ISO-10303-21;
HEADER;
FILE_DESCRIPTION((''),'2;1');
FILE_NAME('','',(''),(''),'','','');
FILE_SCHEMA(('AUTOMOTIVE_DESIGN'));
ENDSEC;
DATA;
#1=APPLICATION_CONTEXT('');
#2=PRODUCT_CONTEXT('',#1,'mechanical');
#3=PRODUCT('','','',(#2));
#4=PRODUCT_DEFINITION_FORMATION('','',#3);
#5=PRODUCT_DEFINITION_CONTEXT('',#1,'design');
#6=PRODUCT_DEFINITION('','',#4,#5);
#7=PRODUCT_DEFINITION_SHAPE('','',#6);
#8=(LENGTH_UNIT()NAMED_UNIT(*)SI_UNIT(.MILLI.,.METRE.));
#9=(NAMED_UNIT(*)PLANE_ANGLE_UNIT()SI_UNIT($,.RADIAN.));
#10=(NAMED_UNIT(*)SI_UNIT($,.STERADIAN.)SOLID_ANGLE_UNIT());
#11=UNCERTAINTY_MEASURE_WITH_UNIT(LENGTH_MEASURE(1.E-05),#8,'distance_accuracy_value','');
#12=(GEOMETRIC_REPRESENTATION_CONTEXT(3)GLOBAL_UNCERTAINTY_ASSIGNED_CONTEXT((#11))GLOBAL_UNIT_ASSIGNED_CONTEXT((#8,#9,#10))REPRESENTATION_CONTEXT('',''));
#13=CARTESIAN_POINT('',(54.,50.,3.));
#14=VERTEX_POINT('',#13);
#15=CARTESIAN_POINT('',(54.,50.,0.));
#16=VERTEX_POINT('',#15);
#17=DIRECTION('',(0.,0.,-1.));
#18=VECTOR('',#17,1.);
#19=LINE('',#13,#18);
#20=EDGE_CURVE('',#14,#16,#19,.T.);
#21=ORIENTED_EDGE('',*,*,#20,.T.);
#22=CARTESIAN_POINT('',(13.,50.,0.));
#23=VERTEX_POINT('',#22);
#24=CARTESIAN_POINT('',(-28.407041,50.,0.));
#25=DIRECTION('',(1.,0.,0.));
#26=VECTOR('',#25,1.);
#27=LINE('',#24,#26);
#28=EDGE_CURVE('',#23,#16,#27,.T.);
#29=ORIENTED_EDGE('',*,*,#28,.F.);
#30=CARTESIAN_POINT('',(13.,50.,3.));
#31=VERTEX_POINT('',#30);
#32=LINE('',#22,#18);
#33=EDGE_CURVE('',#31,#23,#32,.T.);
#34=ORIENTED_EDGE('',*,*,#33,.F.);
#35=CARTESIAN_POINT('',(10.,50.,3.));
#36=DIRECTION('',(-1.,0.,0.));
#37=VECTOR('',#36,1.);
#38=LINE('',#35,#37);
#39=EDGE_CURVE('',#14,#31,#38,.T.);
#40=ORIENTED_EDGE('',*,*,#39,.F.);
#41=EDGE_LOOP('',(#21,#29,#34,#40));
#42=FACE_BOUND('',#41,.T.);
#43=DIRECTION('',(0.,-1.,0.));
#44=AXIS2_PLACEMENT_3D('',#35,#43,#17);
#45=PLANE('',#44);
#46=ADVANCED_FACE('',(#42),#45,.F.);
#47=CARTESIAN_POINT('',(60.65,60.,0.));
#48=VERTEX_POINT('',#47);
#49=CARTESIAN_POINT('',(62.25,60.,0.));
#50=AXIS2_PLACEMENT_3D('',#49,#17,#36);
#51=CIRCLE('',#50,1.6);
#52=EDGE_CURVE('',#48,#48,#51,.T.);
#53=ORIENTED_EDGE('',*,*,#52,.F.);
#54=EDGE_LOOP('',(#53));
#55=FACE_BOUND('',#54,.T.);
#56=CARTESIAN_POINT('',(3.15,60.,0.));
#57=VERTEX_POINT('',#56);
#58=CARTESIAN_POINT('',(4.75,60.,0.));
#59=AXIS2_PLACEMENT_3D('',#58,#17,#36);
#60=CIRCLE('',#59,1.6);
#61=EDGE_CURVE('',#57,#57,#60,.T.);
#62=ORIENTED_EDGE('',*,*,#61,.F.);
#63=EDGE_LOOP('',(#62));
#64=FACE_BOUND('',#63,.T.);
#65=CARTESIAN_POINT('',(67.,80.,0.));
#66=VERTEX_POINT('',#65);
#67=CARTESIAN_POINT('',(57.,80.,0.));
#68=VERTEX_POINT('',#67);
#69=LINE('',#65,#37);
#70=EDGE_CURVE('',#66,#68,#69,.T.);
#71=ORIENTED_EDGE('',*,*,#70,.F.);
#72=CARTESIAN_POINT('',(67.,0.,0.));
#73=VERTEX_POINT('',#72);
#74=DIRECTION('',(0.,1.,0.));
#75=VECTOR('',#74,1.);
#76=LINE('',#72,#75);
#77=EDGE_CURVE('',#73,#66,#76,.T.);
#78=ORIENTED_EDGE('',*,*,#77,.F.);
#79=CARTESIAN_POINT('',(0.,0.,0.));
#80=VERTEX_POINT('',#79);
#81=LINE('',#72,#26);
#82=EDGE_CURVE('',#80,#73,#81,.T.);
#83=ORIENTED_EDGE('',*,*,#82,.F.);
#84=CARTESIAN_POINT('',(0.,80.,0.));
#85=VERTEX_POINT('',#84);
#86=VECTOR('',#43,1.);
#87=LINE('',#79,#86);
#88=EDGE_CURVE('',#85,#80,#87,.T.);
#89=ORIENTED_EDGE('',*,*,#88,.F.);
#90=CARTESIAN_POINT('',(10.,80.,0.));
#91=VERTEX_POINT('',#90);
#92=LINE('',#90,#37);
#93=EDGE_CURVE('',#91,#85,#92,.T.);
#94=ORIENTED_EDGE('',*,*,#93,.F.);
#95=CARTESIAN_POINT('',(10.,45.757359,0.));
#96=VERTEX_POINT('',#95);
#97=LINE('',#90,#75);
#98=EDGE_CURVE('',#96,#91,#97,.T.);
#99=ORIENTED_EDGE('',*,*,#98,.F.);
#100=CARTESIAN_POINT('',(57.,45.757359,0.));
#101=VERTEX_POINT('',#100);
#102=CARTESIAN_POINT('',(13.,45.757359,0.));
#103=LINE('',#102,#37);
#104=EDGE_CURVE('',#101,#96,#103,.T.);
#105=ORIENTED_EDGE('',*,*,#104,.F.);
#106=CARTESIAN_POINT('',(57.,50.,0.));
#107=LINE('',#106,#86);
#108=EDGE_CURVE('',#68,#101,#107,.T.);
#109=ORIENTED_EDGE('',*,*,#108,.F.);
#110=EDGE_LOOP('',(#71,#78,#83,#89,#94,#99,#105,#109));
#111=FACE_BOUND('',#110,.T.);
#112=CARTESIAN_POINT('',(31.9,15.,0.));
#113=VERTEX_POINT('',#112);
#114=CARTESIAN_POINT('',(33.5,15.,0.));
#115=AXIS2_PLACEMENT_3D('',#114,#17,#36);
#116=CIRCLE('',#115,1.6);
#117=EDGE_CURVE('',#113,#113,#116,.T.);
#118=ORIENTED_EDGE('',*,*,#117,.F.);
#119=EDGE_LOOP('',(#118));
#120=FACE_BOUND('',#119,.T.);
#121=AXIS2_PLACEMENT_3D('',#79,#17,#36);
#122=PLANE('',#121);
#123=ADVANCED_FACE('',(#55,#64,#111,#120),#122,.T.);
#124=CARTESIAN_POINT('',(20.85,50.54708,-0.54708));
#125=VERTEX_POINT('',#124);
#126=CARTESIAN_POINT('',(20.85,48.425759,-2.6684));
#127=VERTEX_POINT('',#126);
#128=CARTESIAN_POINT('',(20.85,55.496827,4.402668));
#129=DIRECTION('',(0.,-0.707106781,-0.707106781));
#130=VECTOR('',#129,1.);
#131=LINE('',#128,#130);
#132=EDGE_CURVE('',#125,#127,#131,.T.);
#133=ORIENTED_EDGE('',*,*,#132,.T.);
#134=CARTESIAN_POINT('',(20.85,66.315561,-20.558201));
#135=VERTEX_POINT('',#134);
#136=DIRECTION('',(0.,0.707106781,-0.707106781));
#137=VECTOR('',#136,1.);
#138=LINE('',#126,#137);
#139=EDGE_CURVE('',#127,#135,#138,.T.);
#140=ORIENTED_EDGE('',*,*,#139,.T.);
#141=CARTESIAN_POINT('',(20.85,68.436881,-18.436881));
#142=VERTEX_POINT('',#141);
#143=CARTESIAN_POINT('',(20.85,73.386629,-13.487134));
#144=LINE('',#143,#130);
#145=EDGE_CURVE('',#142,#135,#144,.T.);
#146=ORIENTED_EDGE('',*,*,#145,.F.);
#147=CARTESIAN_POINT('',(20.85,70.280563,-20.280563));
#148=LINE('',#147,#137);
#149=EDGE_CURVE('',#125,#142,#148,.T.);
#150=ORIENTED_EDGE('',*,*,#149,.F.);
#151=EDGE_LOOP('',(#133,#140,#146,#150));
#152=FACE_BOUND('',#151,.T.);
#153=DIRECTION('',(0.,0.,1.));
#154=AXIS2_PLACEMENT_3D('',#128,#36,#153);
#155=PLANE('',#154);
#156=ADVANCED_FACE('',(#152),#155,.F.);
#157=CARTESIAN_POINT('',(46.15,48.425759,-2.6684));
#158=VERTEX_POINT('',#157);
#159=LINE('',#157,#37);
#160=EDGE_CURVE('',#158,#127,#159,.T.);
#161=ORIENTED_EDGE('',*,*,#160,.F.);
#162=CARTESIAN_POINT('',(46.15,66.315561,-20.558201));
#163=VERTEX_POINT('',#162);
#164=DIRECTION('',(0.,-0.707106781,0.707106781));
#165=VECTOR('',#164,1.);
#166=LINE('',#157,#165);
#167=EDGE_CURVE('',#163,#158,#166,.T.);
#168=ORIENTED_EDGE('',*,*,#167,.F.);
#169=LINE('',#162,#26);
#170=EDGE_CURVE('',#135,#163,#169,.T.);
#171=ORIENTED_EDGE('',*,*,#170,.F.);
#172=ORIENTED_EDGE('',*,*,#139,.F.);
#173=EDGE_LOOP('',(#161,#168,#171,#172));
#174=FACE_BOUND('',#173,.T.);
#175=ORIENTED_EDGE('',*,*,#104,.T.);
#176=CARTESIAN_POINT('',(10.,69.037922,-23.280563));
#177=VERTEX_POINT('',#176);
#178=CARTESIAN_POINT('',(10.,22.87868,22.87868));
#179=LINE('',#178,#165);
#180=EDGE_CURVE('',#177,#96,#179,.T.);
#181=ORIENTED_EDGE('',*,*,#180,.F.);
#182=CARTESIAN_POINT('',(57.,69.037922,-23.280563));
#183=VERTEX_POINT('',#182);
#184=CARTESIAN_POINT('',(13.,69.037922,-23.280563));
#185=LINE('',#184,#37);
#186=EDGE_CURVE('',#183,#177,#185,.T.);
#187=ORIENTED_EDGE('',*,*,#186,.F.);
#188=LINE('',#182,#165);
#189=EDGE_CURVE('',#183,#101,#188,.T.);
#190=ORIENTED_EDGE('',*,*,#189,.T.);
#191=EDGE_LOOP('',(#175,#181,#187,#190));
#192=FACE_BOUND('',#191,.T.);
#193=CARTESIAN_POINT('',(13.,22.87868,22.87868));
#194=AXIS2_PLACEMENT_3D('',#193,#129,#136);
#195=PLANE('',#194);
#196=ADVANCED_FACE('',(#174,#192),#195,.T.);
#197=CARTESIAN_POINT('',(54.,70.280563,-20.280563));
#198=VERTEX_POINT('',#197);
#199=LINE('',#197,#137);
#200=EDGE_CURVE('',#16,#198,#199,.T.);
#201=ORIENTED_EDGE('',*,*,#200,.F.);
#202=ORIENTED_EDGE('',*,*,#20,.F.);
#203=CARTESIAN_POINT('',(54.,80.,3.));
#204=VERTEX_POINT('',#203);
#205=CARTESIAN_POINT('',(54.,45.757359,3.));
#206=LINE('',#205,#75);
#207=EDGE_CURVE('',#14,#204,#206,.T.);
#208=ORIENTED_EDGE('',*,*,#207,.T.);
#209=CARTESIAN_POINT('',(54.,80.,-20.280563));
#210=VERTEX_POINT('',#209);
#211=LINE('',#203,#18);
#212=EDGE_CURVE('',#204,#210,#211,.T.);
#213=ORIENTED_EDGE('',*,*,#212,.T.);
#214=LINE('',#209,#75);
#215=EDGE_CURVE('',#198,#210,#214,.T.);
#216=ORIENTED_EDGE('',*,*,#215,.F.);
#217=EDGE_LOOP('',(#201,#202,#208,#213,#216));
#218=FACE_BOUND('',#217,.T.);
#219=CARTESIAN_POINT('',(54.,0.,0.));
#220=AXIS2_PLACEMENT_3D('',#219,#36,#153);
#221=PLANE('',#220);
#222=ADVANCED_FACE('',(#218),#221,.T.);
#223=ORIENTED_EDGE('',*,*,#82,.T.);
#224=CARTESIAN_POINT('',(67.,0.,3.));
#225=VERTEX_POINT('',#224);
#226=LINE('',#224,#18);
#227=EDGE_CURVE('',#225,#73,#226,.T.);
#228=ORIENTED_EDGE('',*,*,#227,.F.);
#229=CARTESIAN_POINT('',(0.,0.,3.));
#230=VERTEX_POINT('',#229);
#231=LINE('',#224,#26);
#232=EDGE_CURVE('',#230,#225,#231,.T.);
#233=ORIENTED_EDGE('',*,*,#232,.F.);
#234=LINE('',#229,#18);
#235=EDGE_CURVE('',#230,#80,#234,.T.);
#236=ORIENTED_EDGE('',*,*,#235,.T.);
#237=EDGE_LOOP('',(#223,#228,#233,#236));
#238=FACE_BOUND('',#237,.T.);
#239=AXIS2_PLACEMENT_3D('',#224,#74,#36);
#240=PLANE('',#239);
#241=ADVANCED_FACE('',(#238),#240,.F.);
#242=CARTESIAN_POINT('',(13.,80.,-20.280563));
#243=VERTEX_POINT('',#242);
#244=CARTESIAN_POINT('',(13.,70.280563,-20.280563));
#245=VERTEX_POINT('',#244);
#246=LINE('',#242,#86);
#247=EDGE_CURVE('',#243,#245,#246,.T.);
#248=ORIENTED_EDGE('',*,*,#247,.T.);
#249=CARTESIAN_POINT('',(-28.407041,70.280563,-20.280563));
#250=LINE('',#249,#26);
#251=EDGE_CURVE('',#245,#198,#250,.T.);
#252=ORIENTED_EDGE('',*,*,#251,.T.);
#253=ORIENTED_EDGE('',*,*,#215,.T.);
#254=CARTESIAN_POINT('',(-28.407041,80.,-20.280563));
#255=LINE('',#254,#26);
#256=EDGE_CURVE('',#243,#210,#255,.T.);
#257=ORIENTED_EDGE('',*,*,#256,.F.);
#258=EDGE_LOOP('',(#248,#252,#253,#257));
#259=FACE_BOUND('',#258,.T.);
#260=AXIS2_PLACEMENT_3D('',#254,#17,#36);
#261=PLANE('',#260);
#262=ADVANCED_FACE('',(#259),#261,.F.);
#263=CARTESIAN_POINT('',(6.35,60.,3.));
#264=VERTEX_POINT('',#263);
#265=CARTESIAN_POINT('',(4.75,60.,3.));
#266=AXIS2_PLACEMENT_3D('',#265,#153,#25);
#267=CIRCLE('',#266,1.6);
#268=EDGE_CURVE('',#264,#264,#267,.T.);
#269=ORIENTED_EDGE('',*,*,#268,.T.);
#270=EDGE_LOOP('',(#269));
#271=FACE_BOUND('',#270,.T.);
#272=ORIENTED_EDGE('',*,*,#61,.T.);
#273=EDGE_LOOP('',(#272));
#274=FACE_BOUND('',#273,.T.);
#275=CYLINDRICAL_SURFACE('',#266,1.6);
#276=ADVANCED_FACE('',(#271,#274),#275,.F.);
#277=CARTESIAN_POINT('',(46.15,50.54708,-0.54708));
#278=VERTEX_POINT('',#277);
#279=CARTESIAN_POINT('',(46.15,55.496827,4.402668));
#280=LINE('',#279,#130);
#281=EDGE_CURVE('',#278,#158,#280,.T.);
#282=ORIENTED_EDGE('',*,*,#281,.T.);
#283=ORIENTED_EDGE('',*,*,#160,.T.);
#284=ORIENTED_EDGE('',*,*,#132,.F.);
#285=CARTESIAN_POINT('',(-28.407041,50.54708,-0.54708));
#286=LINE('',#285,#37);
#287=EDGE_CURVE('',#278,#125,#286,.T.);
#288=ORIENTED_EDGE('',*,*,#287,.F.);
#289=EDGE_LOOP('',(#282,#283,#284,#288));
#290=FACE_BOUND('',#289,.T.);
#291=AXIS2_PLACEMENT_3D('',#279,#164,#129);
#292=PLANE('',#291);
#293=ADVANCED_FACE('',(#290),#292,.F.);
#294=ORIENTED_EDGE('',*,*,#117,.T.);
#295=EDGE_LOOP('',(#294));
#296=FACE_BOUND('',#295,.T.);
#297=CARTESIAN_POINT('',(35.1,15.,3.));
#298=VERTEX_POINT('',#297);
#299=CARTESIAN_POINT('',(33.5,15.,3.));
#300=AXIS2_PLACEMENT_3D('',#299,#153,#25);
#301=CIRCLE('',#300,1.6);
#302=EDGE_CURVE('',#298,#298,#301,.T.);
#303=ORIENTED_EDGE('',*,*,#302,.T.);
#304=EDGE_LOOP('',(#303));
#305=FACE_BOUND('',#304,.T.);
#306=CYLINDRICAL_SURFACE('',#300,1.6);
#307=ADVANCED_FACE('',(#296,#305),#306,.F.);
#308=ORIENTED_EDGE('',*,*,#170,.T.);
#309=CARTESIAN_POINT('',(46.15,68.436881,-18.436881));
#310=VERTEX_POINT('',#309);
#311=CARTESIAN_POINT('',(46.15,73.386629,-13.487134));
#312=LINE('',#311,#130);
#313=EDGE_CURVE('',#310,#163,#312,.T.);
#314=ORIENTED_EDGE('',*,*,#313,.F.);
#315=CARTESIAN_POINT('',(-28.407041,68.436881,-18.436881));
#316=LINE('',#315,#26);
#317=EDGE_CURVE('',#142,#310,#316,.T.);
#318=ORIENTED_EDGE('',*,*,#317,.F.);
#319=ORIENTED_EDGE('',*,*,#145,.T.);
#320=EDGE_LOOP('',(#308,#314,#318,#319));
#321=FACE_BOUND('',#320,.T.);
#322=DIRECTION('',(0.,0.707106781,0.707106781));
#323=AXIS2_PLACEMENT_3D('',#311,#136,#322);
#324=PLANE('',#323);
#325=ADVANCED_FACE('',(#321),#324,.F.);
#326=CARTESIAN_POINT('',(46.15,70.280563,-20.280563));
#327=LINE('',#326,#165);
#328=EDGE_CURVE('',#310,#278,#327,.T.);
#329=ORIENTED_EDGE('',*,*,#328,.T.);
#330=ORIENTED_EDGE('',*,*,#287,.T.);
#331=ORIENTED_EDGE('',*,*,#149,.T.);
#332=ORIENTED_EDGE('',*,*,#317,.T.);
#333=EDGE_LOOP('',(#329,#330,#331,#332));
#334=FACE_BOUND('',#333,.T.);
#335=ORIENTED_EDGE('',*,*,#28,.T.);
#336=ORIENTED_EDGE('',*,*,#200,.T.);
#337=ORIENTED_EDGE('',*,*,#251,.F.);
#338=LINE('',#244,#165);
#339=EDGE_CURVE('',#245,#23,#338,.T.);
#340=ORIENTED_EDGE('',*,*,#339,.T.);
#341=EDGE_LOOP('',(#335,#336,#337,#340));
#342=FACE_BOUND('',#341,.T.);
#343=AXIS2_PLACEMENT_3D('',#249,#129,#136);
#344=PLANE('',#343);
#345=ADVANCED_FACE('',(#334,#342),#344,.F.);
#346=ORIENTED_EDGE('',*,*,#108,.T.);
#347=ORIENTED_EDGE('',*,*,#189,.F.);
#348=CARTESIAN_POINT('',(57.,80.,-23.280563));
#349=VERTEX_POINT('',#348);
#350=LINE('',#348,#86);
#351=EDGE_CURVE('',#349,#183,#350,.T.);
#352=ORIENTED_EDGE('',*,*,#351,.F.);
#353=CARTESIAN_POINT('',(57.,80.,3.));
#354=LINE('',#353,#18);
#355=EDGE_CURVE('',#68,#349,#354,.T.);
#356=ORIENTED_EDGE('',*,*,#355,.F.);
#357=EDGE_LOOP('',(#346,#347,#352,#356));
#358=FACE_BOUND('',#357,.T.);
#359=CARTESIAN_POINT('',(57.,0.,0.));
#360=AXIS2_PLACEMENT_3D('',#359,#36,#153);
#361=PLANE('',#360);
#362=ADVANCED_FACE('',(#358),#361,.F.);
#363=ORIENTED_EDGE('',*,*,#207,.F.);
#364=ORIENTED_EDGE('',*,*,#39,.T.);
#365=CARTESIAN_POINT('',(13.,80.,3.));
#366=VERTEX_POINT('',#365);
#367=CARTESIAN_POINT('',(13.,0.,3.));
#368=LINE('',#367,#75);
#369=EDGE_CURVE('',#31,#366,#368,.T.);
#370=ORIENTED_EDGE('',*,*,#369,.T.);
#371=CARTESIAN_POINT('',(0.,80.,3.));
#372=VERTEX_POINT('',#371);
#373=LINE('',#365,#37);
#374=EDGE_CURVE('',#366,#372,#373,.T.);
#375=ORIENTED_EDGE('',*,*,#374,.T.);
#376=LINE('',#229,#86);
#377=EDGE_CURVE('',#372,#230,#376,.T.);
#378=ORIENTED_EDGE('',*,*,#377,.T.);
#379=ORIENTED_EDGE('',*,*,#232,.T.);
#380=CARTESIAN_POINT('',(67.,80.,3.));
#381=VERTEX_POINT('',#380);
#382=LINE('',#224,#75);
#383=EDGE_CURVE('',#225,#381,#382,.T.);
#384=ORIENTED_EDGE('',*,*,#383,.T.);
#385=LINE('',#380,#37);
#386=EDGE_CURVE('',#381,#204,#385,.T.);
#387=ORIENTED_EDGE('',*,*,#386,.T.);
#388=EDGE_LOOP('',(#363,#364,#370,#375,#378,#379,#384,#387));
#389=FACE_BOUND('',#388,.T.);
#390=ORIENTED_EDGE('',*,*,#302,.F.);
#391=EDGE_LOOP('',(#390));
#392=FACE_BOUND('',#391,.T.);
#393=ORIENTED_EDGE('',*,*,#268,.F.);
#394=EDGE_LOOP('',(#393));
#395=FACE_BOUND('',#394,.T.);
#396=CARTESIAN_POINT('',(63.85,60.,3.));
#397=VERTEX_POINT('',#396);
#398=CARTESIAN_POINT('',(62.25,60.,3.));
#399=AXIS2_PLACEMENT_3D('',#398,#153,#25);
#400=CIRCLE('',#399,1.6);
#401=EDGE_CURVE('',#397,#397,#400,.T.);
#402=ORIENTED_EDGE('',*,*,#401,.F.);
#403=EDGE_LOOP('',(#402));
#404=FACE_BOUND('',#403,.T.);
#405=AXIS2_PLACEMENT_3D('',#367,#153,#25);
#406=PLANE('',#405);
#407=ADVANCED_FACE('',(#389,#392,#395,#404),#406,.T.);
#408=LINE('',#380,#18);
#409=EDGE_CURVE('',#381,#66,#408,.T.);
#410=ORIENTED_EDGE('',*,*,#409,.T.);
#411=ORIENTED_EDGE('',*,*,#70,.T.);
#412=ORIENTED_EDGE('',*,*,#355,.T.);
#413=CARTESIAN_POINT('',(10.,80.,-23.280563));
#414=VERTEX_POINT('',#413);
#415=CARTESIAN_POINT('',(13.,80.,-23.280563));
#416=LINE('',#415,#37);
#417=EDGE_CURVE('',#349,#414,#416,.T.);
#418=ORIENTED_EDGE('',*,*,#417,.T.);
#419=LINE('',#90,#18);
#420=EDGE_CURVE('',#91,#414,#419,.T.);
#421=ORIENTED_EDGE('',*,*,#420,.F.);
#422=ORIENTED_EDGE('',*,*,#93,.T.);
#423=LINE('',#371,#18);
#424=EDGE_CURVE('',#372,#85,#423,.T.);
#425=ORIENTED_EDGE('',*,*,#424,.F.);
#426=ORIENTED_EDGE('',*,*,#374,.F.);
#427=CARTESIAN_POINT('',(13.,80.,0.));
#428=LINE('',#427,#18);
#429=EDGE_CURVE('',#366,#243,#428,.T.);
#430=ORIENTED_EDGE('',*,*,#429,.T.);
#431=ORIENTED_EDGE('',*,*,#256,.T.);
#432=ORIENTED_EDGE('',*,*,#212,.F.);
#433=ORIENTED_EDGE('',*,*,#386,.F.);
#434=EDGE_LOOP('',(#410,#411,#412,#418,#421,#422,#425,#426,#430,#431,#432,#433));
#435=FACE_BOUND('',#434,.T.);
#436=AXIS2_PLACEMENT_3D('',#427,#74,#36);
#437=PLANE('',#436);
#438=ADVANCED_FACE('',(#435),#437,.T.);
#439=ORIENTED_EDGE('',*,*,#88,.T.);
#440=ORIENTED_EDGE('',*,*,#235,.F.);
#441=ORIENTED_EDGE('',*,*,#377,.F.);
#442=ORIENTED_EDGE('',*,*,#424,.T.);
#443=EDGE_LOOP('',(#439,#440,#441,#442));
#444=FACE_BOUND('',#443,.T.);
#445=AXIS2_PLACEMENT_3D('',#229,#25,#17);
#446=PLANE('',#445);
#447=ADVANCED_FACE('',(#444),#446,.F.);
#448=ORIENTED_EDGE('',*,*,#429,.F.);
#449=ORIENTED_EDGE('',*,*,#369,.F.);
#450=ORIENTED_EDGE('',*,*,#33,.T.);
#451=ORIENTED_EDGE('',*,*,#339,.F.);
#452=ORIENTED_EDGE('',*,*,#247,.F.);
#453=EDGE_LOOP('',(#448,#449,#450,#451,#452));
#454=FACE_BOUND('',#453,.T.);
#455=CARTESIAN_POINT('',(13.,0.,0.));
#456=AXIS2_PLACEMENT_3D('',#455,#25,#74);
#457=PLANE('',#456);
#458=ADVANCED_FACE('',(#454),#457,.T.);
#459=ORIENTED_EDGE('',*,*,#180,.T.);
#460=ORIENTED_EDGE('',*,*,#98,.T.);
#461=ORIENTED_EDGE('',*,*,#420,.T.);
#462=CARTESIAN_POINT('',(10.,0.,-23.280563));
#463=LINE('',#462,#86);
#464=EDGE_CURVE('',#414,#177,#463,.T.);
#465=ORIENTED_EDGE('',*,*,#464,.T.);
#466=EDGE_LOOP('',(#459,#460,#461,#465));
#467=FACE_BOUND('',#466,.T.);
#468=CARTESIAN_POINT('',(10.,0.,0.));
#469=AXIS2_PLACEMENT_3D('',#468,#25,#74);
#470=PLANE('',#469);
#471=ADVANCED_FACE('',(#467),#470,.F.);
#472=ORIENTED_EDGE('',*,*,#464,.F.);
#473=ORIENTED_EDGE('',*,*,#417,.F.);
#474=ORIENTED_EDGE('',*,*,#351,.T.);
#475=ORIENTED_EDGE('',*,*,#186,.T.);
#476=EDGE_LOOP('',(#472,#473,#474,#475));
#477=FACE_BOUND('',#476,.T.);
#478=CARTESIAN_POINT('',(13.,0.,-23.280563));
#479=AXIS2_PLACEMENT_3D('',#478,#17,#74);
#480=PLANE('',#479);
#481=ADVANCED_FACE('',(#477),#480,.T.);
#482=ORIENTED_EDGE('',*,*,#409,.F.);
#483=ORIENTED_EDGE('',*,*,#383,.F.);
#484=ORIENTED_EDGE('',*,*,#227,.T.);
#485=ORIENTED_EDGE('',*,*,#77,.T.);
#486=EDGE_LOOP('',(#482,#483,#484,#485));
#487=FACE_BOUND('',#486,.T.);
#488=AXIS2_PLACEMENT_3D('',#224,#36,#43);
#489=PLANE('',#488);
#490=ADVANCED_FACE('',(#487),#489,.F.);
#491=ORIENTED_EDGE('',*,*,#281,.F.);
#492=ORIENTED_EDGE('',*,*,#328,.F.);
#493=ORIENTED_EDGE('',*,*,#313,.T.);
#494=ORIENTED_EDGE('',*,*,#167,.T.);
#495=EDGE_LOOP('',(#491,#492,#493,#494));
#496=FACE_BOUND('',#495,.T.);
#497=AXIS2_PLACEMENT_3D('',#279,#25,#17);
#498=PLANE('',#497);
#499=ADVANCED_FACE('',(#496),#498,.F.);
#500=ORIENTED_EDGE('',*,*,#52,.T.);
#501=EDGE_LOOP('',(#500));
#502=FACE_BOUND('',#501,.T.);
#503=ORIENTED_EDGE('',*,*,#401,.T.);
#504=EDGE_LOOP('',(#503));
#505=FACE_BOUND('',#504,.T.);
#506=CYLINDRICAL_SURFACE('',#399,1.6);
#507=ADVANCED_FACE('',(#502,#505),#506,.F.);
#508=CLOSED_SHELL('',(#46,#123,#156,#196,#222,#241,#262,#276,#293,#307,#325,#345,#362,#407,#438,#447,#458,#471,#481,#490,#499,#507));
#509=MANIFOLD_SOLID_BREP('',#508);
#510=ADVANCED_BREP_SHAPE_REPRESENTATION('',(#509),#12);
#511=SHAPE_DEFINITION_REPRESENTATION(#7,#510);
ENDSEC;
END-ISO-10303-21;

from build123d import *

# Parameters (mm, degrees)
Y_KSEKLIK_EKSTR_ZYON1_DEPTH = 3
Y_KSEKLIK_EKSTR_ZYON2_DEPTH = 3
Y_KSEKLIK_EKSTR_ZYON3_DEPTH = 3
Y_KSEKLIK_EKSTR_ZYON4_DEPTH = 41
M3_BO_LUKLU_DELIK1_D        = 3.2
M3_BO_LUKLU_DELIK1_DEPTH    = 10
M3_BO_LUKLU_DELIK1_TIP      = 0.96137699
IZIM10_W                    = 25.3
IZIM10_H                    = 25.3
KES_EKSTR_ZYON1_DEPTH       = 10


with BuildPart() as part:
    # Çizim1 → Yükseklik-Ekstrüzyon1 (new body)
    with BuildSketch(Plane.XY):
        Polygon((67, 0), (0, 0), (0, 80), (10, 80), (10, 50), (57, 50), (57, 80), (67, 80), align=None)
    extrude(amount=Y_KSEKLIK_EKSTR_ZYON1_DEPTH)

    # Çizim4 → Yükseklik-Ekstrüzyon3 (add)
    with BuildSketch(Plane.ZY.offset(-57)):
        Polygon((3, 80), (-23.280562552, 80), (-23.280562552, 69.037921865), (0, 45.757359313), (3, 45.757359313), align=None)
    extrude(amount=Y_KSEKLIK_EKSTR_ZYON3_DEPTH)



with BuildPart() as body_2:
    # Çizim2 → Yükseklik-Ekstrüzyon2 (new body)
    with BuildSketch(Plane(origin=(10, 0, 0), x_dir=(0, 0, -1), z_dir=(1, 0, 0))):
        Polygon((-3, 80), (23.280562552, 80), (23.280562552, 69.037921865), (0, 45.757359313), (-3, 45.757359313), align=None)
    extrude(amount=Y_KSEKLIK_EKSTR_ZYON2_DEPTH)


with BuildPart() as part_1:
    add(part.part)

    add(body_2.part)  # Yükseklik-Ekstrüzyon4 merges body 2
    # Çizim5 → Yükseklik-Ekstrüzyon4 (add)
    with BuildSketch(Plane.ZY.offset(-54)):
        Polygon((0, 45.757359313), (-23.280562552, 69.037921865), (-23.280562552, 80), (-20.280562552, 80), (-20.280562552, 70.280562552), (0, 50), align=None)
    extrude(amount=Y_KSEKLIK_EKSTR_ZYON4_DEPTH)

    # M3 Boşluklu Delik1
    with Locations(Plane.XY.offset(3)):
        with Locations((62.25, 60), (33.5, 15), (4.75, 60)):
            Hole(M3_BO_LUKLU_DELIK1_D / 2, depth=M3_BO_LUKLU_DELIK1_DEPTH)
            with Locations((0, 0, -(M3_BO_LUKLU_DELIK1_DEPTH + M3_BO_LUKLU_DELIK1_TIP / 2))):  # 118° drill point
                Cone(0, M3_BO_LUKLU_DELIK1_D / 2, M3_BO_LUKLU_DELIK1_TIP, mode=Mode.SUBTRACT)

    # Çizim10 → Kes-Ekstrüzyon1 (cut)
    with BuildSketch(Plane(origin=(0, 22.878679656, 22.878679656), x_dir=(1, 0, 0), z_dir=(0, -0.7071067811865438, -0.7071067811865513))):
        with Locations((33.5, -48.77902636)):
            Rectangle(IZIM10_W, IZIM10_H)
    extrude(amount=-KES_EKSTR_ZYON1_DEPTH, mode=Mode.SUBTRACT)


solid = part_1.part
